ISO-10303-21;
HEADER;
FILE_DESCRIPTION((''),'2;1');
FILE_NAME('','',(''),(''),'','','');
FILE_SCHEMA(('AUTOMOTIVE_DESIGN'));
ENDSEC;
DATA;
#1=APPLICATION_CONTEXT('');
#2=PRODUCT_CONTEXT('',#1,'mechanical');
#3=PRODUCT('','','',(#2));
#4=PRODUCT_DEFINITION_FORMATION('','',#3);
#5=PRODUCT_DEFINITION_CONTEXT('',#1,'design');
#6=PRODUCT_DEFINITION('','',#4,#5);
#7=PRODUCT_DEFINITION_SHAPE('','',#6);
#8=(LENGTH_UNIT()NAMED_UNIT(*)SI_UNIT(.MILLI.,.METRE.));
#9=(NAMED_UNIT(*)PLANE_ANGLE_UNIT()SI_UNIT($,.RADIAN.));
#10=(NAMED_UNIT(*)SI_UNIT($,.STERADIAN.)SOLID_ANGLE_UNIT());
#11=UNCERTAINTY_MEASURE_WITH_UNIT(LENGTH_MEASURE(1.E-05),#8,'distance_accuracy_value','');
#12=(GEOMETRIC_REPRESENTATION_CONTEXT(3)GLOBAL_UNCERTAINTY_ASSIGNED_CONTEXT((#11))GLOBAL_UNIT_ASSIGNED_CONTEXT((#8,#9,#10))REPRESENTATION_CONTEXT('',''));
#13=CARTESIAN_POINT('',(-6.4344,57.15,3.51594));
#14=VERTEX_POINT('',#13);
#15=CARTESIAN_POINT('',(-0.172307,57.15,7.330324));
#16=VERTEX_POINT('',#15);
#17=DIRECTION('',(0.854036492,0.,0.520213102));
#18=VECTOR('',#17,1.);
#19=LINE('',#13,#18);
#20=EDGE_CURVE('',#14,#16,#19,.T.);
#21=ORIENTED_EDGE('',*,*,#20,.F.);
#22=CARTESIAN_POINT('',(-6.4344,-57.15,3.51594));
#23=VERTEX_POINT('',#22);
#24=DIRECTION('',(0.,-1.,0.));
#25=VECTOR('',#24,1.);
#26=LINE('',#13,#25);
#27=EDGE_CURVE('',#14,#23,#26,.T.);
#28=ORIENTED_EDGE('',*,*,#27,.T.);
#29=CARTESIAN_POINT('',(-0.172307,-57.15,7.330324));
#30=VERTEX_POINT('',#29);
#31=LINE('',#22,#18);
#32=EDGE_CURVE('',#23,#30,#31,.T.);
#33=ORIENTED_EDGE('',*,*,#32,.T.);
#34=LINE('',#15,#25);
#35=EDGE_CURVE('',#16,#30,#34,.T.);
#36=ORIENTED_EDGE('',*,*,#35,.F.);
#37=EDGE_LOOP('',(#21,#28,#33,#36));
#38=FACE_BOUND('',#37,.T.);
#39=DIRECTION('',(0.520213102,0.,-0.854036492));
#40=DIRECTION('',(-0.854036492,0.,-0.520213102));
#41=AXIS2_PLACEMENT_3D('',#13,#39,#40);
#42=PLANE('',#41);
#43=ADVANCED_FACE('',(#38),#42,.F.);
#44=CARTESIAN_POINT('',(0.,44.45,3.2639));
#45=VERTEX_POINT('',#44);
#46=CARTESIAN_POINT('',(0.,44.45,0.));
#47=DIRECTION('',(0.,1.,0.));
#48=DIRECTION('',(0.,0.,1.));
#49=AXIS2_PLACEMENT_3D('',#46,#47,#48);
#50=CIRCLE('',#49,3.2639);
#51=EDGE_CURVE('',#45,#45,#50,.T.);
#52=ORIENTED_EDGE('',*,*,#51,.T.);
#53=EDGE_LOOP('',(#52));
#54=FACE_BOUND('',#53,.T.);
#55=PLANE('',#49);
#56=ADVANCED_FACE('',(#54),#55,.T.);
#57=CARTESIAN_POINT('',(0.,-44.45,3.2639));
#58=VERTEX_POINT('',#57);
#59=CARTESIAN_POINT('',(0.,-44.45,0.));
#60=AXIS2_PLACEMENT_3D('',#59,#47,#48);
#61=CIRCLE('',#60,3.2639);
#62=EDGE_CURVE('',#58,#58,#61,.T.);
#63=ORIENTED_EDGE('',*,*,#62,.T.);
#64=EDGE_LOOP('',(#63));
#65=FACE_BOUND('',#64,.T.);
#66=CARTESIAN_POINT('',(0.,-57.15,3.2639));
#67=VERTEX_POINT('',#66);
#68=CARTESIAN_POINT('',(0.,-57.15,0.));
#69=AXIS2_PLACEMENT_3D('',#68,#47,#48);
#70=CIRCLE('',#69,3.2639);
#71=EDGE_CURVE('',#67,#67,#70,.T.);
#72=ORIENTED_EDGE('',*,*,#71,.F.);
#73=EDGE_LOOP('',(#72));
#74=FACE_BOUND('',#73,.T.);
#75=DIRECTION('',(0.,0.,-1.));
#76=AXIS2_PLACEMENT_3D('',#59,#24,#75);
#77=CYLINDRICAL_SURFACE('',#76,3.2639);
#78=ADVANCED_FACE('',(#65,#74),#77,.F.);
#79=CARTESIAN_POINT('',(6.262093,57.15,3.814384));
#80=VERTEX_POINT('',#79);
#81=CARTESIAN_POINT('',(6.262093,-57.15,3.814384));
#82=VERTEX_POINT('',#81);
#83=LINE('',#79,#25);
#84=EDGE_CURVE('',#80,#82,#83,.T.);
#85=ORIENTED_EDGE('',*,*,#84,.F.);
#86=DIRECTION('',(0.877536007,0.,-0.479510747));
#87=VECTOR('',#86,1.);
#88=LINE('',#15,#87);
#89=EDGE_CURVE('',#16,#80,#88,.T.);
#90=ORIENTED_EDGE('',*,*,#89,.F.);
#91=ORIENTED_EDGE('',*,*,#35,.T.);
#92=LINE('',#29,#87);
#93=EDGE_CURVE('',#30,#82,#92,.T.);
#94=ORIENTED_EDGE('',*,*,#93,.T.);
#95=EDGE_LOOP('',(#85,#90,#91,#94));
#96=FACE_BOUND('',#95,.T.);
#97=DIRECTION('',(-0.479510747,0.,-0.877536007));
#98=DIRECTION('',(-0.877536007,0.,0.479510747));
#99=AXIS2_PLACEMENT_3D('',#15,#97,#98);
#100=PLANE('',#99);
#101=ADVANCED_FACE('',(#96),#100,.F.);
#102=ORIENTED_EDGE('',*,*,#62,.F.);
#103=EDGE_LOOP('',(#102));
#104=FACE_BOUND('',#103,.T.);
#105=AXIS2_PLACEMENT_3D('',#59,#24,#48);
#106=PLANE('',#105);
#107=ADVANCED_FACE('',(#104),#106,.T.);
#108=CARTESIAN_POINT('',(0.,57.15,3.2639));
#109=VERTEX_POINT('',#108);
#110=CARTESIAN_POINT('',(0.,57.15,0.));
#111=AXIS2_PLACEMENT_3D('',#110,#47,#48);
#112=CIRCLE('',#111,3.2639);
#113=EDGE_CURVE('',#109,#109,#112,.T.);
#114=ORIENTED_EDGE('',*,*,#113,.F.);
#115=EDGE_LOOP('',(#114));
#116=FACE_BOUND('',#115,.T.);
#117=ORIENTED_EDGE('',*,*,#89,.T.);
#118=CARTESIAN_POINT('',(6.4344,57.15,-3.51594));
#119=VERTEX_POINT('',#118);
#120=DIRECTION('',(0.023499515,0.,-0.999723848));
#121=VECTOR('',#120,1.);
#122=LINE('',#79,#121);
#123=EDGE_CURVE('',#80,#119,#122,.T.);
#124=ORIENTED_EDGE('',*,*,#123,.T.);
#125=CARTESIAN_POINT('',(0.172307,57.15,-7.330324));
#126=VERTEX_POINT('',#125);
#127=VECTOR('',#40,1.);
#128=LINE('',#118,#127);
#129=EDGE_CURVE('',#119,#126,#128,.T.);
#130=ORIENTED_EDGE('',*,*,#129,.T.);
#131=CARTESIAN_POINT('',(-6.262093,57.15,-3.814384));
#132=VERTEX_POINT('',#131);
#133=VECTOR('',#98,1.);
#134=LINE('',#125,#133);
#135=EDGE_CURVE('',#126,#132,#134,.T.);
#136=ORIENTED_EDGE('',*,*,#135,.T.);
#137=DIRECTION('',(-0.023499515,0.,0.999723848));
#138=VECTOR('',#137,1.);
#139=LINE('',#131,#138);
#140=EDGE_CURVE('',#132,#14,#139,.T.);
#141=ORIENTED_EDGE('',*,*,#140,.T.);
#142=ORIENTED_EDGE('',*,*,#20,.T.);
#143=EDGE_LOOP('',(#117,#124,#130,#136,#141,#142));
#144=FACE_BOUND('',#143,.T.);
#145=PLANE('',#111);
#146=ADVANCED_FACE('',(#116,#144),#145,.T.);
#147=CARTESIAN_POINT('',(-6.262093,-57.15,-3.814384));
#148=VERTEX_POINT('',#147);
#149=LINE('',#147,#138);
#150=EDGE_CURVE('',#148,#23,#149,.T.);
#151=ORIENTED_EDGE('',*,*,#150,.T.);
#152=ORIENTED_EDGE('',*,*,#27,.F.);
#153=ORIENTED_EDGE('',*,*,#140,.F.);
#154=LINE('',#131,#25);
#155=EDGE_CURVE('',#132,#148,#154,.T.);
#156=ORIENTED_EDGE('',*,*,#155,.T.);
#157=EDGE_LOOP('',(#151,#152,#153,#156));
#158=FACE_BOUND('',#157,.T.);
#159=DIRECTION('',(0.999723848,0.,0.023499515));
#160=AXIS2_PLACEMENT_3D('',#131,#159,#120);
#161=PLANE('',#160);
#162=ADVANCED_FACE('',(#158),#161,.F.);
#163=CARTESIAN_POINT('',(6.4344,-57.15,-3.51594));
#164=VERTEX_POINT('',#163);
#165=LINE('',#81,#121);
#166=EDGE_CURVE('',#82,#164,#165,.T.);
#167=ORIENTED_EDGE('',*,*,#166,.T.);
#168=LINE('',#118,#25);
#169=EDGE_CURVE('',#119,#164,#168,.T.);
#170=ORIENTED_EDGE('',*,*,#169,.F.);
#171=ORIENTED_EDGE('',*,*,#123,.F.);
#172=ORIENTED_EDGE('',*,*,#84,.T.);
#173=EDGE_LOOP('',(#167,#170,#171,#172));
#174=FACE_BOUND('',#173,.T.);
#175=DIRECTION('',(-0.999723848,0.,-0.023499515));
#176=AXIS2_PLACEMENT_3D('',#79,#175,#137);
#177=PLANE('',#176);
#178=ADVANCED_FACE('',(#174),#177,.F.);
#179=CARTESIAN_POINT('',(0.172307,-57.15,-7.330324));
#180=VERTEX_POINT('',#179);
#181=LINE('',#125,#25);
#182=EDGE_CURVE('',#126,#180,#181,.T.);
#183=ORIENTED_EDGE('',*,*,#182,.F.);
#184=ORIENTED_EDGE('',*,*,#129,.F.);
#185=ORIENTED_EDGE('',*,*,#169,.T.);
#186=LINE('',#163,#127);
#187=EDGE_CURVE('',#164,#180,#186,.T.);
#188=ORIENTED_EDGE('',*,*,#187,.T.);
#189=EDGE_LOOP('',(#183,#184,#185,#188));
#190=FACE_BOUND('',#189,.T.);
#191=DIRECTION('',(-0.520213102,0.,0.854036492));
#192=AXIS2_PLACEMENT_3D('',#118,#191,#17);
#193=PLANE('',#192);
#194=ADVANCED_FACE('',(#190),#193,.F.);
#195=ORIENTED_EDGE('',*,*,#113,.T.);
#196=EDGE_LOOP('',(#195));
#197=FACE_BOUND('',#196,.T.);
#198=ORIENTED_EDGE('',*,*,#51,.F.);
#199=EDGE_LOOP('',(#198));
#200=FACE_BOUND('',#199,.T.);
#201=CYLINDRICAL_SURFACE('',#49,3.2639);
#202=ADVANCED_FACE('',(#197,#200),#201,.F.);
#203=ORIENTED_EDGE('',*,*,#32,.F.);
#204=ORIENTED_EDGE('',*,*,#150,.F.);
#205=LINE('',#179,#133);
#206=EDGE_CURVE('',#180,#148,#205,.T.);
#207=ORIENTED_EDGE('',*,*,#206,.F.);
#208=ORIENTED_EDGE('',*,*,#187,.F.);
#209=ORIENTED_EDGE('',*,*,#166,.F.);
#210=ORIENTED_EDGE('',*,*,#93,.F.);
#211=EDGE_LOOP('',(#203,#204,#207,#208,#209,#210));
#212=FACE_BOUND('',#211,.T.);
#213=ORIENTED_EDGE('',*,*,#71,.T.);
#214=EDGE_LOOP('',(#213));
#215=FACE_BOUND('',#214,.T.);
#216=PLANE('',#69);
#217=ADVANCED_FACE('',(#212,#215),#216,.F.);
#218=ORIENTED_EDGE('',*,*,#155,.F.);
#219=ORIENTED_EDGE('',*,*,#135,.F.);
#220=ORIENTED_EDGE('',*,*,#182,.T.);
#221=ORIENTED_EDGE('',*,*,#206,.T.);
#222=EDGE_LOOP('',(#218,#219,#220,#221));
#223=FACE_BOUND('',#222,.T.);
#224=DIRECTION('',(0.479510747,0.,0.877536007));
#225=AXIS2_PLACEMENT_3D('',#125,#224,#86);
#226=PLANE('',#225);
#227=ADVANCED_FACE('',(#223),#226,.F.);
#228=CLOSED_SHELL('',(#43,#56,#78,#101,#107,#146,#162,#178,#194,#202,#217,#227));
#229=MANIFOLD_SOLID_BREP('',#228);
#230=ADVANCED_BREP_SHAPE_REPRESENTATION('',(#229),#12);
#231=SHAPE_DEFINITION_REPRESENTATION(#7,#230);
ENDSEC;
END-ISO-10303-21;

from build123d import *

# Parameters (mm, degrees)
BOSS_EXTRUDE1_DEPTH = 57.15
SKETCH2_R           = 3.2639
CUT_EXTRUDE1_DEPTH  = 12.7


with BuildPart() as part:
    # Sketch1 → Boss-Extrude1 (new body, symmetric)
    with BuildSketch(Plane(origin=(0, 0, 0), x_dir=(1, 0, 0), z_dir=(0, 1, 0))):
        Polygon((6.434399754, 3.515939866), (0.172306635, 7.330323578), (-6.262093119, 3.814383712), (-6.434399754, -3.515939866), (-0.172306635, -7.330323578), (6.262093119, -3.814383712), align=None)
    extrude(amount=BOSS_EXTRUDE1_DEPTH, both=True)

    # Sketch2 → Cut-Extrude1 (cut)
    with BuildSketch(Plane(origin=(0, 57.15, 0), x_dir=(1, 0, 0), z_dir=(0, 1, 0))):
        Circle(SKETCH2_R)
    cut_extrude1 = extrude(amount=-CUT_EXTRUDE1_DEPTH, mode=Mode.SUBTRACT)

    # Mirror1: Cut-Extrude1 across plane
    add(cut_extrude1.mirror(Plane.ZX), mode=Mode.SUBTRACT)


solid = part.part
